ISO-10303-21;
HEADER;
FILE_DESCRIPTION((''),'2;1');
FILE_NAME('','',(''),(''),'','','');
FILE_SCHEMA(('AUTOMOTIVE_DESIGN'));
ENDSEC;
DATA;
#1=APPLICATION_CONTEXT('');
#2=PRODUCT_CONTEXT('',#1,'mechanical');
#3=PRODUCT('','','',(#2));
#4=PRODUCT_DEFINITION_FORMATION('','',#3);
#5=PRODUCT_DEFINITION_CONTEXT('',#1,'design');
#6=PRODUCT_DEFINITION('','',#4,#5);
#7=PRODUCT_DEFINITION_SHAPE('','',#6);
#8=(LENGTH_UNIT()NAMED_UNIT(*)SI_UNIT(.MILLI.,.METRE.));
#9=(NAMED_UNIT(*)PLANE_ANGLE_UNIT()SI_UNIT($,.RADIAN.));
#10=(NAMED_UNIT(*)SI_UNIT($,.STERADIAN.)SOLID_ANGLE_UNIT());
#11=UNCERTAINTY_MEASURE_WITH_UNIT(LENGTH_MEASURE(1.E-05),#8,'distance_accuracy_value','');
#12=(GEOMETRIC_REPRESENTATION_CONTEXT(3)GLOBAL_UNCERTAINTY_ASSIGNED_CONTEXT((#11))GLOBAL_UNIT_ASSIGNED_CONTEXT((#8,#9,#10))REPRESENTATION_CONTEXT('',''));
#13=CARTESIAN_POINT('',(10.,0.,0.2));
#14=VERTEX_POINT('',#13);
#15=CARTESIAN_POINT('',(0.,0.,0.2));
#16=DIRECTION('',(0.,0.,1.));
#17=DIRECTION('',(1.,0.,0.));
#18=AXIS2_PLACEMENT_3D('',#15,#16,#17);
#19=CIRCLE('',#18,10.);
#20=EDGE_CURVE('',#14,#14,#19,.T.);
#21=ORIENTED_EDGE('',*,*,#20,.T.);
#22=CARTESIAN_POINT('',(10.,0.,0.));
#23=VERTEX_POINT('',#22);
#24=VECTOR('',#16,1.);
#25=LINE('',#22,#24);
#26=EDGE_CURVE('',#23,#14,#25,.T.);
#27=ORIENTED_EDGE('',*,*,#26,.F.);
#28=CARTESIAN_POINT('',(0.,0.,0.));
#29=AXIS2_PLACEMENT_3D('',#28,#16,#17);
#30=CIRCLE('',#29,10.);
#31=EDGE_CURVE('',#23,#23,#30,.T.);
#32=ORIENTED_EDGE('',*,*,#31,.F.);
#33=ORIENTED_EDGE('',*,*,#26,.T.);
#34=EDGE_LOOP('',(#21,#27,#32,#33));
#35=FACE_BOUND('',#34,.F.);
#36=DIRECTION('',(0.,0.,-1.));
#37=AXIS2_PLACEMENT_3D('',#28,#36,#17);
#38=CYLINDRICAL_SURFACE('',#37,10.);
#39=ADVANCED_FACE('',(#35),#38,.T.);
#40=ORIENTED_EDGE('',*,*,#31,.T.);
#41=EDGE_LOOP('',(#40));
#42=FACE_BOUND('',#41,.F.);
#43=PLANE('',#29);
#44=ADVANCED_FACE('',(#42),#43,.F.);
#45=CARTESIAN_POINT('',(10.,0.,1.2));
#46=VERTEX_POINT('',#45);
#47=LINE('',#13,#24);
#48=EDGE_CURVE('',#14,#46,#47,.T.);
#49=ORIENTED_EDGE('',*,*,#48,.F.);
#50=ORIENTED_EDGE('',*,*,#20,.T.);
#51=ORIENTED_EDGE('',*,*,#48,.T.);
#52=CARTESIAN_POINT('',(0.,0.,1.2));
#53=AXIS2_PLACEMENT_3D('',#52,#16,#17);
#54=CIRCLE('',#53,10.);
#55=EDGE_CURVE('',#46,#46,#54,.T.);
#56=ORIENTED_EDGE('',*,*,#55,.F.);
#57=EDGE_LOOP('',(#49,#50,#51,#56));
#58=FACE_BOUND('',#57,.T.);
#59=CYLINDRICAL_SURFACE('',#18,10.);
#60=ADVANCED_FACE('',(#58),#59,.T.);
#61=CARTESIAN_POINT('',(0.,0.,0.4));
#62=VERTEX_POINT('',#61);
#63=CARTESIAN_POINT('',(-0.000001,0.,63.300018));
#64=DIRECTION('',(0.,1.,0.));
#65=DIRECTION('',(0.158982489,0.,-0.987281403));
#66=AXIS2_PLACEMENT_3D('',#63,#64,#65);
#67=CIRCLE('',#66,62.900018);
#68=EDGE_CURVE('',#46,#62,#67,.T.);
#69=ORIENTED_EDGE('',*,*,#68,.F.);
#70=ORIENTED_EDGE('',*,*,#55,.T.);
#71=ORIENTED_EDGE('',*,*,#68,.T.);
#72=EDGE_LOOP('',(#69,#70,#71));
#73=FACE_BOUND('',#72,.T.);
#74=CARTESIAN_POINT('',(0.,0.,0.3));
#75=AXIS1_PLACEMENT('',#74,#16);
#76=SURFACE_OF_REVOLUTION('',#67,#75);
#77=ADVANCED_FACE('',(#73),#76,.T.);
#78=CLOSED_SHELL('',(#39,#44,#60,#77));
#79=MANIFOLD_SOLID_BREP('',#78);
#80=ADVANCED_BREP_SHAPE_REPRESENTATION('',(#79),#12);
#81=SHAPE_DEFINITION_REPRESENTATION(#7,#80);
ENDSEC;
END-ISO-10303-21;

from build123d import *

# Parameters (mm, degrees)
F0_R     = 10
F1_DEPTH = 0.2


with BuildPart() as f1:
    # F0 (on Top) → F1 (new body)
    with BuildSketch(Plane.XY):
        Circle(F0_R)
    extrude(amount=F1_DEPTH)

    # F2 (on Front) → F3 (revolve)
    with BuildSketch(Plane.XZ):
        with BuildLine():
            Line((0, 0.4), (0, 0.2))
            Line((0, 0.2), (10, 0.2))
            Line((10, 0.2), (10, 1.2))
            ThreePointArc((10, 1.2), (5.015974, 0.600319), (0, 0.4))
        make_face()
    revolve(axis=Axis((0, 0, 0.3), (0, 0, 1)))


solid = f1.part
